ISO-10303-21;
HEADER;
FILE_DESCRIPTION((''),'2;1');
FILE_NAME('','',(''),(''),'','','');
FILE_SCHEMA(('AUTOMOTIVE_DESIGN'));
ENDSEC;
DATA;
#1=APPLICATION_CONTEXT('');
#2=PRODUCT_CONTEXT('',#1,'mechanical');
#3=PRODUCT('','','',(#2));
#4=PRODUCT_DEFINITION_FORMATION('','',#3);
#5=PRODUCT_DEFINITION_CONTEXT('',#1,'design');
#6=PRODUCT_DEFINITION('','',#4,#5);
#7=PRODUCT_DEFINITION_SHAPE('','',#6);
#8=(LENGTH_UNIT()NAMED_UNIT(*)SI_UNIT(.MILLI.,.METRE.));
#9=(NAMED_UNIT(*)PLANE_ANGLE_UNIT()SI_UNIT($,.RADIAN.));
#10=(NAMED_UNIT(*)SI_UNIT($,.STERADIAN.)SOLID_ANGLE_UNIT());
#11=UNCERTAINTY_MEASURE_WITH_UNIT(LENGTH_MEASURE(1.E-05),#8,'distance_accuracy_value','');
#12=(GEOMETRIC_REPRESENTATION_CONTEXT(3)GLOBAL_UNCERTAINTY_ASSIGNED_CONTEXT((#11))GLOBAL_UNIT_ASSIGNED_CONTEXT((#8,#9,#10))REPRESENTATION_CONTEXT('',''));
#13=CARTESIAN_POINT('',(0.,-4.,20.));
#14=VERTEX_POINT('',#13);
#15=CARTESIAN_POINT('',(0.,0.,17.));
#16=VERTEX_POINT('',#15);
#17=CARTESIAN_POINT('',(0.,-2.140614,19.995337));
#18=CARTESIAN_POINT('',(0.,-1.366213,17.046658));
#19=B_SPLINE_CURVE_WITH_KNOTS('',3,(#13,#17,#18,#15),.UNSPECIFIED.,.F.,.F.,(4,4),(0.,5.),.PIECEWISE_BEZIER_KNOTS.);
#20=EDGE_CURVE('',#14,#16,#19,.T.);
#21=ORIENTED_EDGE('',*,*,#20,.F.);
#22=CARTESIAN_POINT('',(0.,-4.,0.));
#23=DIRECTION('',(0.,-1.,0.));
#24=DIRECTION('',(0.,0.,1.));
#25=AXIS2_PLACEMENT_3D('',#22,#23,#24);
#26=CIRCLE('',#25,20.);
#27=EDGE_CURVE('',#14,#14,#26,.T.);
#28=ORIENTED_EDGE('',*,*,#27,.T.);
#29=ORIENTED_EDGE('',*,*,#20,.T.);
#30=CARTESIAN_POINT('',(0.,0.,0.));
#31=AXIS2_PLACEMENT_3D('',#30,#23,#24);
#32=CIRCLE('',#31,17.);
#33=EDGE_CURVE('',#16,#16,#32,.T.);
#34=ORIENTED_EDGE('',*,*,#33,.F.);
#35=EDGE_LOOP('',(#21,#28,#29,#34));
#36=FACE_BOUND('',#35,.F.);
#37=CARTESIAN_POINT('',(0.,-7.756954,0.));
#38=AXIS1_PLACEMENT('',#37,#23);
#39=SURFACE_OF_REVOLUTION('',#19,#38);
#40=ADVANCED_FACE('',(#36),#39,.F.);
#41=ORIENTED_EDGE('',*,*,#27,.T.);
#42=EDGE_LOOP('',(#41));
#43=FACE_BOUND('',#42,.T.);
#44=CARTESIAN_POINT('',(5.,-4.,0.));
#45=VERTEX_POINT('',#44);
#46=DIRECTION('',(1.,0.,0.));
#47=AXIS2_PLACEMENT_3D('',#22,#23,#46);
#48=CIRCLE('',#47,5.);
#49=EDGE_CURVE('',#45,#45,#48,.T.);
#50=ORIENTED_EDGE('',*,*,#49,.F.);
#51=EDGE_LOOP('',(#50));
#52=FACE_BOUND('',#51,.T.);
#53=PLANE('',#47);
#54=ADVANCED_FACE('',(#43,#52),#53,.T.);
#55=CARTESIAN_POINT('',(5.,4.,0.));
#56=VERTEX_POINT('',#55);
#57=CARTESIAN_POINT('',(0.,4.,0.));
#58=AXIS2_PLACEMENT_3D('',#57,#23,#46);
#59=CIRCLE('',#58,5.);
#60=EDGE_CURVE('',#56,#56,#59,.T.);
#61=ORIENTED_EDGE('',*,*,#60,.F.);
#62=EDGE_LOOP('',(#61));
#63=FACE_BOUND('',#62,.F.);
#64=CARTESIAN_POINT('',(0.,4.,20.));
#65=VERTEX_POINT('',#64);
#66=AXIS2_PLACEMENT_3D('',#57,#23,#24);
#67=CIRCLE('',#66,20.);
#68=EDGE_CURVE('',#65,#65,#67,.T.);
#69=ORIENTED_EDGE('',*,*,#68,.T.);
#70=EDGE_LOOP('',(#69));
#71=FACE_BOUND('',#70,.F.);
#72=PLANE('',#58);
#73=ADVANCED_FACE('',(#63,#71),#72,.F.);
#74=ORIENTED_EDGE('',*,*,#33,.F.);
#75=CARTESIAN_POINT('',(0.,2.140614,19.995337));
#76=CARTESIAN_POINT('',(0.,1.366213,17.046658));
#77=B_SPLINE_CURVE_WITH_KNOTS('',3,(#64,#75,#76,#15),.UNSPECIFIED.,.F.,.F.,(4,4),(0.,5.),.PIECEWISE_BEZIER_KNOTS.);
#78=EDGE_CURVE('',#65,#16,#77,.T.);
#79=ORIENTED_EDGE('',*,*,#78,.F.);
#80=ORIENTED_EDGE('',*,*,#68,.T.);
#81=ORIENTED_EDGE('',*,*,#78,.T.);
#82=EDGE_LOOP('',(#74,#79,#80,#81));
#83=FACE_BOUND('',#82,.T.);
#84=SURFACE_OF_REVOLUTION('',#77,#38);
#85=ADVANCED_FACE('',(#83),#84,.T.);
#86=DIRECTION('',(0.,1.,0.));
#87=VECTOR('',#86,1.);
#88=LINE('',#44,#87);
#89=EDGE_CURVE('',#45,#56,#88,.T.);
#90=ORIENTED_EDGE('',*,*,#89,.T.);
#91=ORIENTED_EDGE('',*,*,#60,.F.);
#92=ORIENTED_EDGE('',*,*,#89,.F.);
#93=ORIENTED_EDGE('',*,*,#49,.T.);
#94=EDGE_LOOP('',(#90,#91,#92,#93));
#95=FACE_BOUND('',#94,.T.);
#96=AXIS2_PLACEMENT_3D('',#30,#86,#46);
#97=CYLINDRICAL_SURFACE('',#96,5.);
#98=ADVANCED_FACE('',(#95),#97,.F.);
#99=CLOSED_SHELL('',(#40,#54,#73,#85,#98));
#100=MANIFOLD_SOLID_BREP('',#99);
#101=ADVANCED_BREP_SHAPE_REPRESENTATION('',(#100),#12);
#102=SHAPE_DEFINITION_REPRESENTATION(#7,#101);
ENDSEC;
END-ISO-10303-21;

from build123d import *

# Parameters (mm, degrees)
F0_R     = 20
F0_R_2   = 5
F1_DEPTH = 4


with BuildPart() as f1:
    # F0 (on Front) → F1 (new body, symmetric)
    with BuildSketch(Plane.XZ):
        Circle(F0_R)
        Circle(F0_R_2, mode=Mode.SUBTRACT)
    extrude(amount=F1_DEPTH, both=True)

    # F2 (on Right) → F3 (revolve, cut)
    with BuildSketch(Plane.YZ):
        with BuildLine():
            add(Edge.make_bspline(
                [(-4, 20), (-2.140614, 19.995337), (-1.366213, 17.046658), (0, 17)],
                knots=[0, 0, 0, 0, 5, 5, 5, 5], degree=3))
            Line((0, 17), (0, 20))
            Line((0, 20), (-4, 20))
        make_face()
        with BuildLine():
            Line((0, 20), (0, 17))
            add(Edge.make_bspline(
                [(4, 20), (2.140614, 19.995337), (1.366213, 17.046658), (0, 17)],
                knots=[0, 0, 0, 0, 5, 5, 5, 5], degree=3))
            Line((4, 20), (0, 20))
        make_face()
    revolve(axis=Axis((0, -7.756954, 0), (0, -1, 0)), mode=Mode.SUBTRACT)


solid = f1.part
